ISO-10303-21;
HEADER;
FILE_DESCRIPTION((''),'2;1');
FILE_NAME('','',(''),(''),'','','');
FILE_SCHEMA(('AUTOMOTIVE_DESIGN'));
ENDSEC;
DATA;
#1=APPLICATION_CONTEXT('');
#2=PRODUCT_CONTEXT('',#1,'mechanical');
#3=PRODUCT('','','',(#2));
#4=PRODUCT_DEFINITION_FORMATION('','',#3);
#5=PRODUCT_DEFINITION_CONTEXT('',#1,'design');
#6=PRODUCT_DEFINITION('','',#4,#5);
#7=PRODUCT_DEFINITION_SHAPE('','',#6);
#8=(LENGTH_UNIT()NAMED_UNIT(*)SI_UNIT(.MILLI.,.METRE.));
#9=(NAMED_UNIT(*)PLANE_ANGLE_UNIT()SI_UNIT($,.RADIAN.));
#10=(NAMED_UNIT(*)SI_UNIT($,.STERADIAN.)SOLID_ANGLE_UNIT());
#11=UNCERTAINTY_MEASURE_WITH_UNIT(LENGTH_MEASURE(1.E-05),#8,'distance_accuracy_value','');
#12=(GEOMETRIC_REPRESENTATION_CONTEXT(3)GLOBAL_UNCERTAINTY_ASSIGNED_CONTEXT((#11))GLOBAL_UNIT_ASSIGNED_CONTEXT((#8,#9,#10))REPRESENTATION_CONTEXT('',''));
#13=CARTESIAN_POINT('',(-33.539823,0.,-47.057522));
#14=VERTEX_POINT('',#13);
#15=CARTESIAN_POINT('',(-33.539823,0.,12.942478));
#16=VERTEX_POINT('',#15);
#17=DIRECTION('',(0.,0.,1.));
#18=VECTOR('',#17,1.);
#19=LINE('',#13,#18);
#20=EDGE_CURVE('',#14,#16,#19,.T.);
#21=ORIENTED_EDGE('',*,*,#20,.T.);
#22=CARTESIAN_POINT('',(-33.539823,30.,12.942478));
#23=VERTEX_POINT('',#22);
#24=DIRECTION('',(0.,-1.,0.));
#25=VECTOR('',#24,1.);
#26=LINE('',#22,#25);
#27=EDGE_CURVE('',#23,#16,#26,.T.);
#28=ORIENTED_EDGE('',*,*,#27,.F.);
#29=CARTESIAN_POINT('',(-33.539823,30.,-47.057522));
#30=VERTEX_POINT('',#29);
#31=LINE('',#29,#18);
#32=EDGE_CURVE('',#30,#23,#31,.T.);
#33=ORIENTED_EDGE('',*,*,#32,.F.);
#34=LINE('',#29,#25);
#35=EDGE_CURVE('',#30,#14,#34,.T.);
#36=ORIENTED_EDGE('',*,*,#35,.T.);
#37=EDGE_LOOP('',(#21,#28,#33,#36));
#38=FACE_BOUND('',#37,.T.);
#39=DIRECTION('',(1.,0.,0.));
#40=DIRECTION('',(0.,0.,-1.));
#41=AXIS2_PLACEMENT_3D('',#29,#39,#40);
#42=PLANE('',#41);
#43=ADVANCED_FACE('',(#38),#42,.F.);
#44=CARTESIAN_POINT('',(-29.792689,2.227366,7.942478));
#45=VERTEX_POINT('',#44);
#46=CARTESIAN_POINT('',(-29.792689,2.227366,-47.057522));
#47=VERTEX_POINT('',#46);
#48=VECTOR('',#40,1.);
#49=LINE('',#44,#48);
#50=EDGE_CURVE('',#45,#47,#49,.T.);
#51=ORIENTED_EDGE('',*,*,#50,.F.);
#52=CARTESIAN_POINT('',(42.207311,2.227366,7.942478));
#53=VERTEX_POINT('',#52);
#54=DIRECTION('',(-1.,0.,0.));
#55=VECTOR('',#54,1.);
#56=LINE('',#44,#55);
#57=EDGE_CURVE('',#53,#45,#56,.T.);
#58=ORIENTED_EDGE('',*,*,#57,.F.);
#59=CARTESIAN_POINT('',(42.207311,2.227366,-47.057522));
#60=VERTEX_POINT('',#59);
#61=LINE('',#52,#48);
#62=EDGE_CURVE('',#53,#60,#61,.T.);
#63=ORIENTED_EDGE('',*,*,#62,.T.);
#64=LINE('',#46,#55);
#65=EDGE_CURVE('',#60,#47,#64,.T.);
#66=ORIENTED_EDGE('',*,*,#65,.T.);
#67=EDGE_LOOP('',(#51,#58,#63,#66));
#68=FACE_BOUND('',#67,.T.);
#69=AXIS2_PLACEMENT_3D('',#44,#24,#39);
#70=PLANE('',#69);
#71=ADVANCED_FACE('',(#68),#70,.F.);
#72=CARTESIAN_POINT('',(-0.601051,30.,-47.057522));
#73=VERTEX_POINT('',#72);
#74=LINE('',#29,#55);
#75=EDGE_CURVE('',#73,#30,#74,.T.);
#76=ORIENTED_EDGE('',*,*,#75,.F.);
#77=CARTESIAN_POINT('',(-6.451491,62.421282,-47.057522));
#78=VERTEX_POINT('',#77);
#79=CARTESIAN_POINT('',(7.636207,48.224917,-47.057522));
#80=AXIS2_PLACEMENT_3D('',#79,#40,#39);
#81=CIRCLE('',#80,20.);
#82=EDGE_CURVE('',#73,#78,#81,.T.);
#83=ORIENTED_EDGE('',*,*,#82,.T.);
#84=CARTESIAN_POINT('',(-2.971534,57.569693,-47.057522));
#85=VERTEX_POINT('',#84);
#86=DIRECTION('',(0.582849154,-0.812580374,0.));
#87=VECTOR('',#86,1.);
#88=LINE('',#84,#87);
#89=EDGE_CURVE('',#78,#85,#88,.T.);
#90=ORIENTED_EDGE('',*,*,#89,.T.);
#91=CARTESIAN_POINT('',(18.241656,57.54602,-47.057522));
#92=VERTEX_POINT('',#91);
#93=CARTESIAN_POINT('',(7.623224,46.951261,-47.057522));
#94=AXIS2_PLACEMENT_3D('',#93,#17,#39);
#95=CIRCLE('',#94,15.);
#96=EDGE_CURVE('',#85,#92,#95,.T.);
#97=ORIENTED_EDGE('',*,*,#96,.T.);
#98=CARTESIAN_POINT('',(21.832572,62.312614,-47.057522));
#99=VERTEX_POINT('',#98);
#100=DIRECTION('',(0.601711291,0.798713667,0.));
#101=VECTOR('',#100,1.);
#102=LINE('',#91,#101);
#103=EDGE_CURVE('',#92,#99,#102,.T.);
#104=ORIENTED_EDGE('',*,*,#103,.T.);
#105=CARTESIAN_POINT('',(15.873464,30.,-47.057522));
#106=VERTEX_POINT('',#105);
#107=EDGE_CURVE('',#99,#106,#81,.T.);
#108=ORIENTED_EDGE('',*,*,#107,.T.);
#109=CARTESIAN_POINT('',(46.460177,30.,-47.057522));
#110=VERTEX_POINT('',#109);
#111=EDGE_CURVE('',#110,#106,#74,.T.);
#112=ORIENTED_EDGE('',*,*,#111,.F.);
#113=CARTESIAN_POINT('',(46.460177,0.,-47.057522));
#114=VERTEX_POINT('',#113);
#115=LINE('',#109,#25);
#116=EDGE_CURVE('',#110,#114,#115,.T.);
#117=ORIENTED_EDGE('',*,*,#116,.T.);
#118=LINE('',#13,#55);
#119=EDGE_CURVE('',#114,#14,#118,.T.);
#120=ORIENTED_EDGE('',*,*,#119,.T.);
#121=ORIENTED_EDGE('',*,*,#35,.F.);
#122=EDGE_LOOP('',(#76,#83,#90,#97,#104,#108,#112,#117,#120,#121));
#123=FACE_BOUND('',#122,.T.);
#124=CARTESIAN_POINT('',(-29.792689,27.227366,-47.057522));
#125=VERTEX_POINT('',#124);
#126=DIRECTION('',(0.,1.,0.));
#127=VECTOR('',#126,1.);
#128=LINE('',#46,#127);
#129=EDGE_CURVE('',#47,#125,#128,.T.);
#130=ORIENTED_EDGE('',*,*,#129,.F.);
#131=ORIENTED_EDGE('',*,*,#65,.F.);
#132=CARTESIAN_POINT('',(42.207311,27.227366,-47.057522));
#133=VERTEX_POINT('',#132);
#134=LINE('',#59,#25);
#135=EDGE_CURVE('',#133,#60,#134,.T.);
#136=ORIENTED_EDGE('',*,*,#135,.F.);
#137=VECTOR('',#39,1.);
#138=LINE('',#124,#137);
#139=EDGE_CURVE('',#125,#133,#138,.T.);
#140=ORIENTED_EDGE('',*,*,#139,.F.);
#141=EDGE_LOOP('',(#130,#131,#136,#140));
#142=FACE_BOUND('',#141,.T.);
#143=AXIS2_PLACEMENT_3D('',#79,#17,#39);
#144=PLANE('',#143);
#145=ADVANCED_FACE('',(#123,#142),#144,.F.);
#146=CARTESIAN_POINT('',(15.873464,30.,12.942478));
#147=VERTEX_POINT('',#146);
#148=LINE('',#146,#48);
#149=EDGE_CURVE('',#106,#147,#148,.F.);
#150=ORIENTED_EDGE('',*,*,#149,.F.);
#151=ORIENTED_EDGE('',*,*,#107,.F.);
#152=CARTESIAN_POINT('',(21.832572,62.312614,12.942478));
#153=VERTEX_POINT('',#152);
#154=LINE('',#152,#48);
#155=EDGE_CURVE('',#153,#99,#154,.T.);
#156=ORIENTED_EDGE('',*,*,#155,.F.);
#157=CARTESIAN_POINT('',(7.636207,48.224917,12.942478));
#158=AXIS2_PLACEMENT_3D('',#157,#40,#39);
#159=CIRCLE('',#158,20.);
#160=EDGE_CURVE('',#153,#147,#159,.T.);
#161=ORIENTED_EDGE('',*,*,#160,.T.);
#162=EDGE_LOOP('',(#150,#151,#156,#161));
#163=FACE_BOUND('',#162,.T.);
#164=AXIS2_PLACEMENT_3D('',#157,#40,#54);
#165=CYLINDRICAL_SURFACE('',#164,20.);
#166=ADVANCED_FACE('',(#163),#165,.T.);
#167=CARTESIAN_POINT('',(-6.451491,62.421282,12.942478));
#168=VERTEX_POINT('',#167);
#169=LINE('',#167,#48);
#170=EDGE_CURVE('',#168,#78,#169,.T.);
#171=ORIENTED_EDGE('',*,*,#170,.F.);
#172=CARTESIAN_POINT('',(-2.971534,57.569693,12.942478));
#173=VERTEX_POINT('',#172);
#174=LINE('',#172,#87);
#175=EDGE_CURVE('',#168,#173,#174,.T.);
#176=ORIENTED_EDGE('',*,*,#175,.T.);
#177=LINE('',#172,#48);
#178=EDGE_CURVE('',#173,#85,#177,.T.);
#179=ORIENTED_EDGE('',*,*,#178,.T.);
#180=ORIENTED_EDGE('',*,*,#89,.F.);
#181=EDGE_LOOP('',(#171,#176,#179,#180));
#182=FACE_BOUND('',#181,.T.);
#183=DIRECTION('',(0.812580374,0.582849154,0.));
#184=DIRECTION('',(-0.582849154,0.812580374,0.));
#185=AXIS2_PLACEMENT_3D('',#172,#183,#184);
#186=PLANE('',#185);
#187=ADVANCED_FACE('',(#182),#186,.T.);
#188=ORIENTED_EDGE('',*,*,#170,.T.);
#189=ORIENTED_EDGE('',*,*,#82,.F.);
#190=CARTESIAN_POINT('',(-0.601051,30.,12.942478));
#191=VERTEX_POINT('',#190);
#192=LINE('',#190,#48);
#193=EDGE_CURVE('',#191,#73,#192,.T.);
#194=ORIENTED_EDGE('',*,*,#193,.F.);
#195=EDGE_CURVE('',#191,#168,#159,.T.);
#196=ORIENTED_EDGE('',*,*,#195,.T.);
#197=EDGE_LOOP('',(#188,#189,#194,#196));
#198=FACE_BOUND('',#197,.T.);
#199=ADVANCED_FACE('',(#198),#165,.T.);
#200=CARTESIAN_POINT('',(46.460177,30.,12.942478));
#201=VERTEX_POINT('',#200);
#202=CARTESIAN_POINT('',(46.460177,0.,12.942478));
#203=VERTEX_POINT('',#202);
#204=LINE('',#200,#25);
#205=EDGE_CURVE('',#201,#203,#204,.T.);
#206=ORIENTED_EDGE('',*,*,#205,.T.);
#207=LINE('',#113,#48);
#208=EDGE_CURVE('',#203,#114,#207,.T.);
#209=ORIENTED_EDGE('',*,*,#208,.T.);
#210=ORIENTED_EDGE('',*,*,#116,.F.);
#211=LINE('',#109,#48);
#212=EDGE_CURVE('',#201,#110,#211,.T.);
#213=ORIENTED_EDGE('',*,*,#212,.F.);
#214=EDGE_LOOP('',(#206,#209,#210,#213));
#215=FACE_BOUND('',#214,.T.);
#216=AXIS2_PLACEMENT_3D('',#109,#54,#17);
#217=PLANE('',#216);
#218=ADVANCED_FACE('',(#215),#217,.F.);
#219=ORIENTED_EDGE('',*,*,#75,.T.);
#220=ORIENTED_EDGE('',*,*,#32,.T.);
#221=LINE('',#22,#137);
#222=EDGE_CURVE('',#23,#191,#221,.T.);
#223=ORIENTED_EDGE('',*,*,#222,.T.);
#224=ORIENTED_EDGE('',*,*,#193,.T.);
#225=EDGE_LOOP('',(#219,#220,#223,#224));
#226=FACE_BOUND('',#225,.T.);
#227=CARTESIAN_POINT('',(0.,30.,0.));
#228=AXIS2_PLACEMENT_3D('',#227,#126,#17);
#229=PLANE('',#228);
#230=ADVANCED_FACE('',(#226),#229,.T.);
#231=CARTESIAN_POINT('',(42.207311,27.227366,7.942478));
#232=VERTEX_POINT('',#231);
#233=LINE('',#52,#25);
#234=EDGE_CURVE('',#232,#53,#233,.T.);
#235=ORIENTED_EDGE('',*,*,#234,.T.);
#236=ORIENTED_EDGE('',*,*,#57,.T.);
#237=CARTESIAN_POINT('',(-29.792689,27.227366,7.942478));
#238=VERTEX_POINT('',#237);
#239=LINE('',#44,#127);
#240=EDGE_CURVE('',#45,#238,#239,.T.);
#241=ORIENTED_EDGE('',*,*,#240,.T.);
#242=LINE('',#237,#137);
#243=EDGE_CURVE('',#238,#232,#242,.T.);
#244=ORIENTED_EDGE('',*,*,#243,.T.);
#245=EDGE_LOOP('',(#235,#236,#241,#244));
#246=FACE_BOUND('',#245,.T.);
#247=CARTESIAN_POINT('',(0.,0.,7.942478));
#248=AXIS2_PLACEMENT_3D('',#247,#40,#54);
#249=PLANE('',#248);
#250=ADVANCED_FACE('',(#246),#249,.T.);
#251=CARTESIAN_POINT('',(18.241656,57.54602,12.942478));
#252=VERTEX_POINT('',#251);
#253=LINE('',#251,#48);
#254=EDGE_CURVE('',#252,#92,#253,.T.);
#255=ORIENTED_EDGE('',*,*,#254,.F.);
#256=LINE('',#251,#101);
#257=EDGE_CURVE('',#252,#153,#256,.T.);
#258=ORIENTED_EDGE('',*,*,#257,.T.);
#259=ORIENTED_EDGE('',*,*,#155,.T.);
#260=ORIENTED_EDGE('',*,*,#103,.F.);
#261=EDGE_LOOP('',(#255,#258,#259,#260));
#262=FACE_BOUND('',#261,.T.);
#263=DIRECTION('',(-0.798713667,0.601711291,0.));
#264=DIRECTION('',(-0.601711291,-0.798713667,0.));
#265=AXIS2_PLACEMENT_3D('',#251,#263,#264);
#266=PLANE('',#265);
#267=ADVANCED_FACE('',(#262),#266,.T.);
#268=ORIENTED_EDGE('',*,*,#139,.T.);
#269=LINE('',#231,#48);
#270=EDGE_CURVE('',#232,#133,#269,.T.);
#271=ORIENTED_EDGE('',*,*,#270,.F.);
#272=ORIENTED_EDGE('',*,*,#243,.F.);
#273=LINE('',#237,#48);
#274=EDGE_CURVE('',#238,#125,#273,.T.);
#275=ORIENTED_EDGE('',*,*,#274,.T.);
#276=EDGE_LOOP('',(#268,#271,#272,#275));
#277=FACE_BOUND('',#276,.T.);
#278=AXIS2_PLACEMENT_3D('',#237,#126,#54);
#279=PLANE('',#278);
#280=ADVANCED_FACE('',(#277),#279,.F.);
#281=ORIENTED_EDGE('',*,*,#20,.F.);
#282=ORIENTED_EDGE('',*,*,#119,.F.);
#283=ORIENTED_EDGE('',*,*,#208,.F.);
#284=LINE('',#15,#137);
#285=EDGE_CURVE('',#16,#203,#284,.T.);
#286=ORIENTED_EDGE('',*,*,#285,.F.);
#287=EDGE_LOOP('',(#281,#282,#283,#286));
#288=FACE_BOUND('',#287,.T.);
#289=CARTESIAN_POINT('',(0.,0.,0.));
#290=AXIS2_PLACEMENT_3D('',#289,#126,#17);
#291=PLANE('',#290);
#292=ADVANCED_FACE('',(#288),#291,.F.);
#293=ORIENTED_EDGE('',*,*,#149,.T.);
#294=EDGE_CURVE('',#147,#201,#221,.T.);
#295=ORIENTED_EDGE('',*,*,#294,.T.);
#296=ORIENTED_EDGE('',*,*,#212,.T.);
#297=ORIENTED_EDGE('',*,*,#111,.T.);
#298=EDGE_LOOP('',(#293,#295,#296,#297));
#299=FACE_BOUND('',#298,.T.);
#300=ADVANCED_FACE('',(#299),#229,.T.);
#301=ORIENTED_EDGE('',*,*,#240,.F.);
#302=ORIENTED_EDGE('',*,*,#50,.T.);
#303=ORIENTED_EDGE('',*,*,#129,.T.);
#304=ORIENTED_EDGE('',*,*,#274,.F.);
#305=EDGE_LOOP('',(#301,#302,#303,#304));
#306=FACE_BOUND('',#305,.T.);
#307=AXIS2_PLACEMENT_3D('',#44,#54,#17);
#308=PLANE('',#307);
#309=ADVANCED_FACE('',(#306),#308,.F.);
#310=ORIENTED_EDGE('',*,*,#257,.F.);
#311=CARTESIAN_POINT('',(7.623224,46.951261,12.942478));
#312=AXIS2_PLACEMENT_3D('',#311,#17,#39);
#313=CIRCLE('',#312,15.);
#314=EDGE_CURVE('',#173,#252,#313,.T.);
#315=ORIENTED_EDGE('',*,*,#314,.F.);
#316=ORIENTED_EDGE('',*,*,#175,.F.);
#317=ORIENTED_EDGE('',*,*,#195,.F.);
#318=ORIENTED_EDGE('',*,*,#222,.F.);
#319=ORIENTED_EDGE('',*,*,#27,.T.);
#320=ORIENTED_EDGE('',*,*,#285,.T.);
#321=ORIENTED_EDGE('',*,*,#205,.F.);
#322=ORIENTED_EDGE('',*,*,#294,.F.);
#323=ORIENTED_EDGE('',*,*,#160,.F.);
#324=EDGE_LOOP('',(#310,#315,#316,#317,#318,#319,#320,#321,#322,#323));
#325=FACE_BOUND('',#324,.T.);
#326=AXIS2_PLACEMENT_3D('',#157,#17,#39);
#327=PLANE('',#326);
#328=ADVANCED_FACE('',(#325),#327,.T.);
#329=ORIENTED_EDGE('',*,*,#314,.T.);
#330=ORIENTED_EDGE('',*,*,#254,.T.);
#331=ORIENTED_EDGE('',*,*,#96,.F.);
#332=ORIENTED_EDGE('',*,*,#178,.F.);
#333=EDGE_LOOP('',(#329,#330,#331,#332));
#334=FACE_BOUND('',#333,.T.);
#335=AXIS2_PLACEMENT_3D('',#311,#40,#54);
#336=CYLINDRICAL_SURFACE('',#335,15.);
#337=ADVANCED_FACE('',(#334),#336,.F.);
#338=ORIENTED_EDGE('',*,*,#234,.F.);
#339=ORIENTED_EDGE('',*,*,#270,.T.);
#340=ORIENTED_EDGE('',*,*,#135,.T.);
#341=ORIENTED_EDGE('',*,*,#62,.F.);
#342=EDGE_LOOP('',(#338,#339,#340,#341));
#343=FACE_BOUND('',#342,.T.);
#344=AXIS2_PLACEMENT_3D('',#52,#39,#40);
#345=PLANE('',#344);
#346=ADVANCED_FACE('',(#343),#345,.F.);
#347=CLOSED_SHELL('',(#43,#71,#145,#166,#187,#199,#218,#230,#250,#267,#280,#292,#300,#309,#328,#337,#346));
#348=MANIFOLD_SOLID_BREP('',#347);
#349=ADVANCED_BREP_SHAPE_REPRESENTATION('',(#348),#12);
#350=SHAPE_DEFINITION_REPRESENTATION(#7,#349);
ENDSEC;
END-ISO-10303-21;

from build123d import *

# Parameters (mm, degrees)
SKETCH1_W           = 80
SKETCH1_H           = 60
BOSS_EXTRUDE2_DEPTH = 30
SKETCH2_W           = 72
SKETCH2_H           = 25
CUT_EXTRUDE1_DEPTH  = 55
BOSS_EXTRUDE3_DEPTH = 60


with BuildPart() as part:
    # Sketch1 → Boss-Extrude2 (new body)
    with BuildSketch(Plane(origin=(0, 0, 0), x_dir=(1, 0, 0), z_dir=(0, 1, 0))):
        with Locations((6.460176991, 17.057522124)):
            Rectangle(SKETCH1_W, SKETCH1_H)
    extrude(amount=BOSS_EXTRUDE2_DEPTH)

    # Sketch2 → Cut-Extrude1 (cut)
    with BuildSketch(Plane(origin=(0, 0, -47.057522124), x_dir=(-1, 0, 0), z_dir=(0, 0, -1))):
        with Locations((-6.207310929, 14.727365754)):
            Rectangle(SKETCH2_W, SKETCH2_H)
    extrude(amount=-CUT_EXTRUDE1_DEPTH, mode=Mode.SUBTRACT)


with BuildPart() as body_2:
    # Sketch3 → Boss-Extrude3 (new body)
    with BuildSketch(Plane(origin=(0, 0, -47.057522124), x_dir=(-1, 0, 0), z_dir=(0, 0, -1))):
        with BuildLine():
            Line((-18.241655929, 57.546020063), (-21.832571653, 62.312614127))
            ThreePointArc((-21.832571653, 62.312614127), (-7.559367185, 28.225064213), (6.451490845, 62.42128158))
            Line((6.451490845, 62.42128158), (2.971534297, 57.569692838))
            ThreePointArc((2.971534297, 57.569692838), (-7.606485249, 31.951270677), (-18.241655929, 57.546020063))
        make_face()
    extrude(amount=-BOSS_EXTRUDE3_DEPTH)

    # Combine1: union part
    add(part.part)


solid = body_2.part
